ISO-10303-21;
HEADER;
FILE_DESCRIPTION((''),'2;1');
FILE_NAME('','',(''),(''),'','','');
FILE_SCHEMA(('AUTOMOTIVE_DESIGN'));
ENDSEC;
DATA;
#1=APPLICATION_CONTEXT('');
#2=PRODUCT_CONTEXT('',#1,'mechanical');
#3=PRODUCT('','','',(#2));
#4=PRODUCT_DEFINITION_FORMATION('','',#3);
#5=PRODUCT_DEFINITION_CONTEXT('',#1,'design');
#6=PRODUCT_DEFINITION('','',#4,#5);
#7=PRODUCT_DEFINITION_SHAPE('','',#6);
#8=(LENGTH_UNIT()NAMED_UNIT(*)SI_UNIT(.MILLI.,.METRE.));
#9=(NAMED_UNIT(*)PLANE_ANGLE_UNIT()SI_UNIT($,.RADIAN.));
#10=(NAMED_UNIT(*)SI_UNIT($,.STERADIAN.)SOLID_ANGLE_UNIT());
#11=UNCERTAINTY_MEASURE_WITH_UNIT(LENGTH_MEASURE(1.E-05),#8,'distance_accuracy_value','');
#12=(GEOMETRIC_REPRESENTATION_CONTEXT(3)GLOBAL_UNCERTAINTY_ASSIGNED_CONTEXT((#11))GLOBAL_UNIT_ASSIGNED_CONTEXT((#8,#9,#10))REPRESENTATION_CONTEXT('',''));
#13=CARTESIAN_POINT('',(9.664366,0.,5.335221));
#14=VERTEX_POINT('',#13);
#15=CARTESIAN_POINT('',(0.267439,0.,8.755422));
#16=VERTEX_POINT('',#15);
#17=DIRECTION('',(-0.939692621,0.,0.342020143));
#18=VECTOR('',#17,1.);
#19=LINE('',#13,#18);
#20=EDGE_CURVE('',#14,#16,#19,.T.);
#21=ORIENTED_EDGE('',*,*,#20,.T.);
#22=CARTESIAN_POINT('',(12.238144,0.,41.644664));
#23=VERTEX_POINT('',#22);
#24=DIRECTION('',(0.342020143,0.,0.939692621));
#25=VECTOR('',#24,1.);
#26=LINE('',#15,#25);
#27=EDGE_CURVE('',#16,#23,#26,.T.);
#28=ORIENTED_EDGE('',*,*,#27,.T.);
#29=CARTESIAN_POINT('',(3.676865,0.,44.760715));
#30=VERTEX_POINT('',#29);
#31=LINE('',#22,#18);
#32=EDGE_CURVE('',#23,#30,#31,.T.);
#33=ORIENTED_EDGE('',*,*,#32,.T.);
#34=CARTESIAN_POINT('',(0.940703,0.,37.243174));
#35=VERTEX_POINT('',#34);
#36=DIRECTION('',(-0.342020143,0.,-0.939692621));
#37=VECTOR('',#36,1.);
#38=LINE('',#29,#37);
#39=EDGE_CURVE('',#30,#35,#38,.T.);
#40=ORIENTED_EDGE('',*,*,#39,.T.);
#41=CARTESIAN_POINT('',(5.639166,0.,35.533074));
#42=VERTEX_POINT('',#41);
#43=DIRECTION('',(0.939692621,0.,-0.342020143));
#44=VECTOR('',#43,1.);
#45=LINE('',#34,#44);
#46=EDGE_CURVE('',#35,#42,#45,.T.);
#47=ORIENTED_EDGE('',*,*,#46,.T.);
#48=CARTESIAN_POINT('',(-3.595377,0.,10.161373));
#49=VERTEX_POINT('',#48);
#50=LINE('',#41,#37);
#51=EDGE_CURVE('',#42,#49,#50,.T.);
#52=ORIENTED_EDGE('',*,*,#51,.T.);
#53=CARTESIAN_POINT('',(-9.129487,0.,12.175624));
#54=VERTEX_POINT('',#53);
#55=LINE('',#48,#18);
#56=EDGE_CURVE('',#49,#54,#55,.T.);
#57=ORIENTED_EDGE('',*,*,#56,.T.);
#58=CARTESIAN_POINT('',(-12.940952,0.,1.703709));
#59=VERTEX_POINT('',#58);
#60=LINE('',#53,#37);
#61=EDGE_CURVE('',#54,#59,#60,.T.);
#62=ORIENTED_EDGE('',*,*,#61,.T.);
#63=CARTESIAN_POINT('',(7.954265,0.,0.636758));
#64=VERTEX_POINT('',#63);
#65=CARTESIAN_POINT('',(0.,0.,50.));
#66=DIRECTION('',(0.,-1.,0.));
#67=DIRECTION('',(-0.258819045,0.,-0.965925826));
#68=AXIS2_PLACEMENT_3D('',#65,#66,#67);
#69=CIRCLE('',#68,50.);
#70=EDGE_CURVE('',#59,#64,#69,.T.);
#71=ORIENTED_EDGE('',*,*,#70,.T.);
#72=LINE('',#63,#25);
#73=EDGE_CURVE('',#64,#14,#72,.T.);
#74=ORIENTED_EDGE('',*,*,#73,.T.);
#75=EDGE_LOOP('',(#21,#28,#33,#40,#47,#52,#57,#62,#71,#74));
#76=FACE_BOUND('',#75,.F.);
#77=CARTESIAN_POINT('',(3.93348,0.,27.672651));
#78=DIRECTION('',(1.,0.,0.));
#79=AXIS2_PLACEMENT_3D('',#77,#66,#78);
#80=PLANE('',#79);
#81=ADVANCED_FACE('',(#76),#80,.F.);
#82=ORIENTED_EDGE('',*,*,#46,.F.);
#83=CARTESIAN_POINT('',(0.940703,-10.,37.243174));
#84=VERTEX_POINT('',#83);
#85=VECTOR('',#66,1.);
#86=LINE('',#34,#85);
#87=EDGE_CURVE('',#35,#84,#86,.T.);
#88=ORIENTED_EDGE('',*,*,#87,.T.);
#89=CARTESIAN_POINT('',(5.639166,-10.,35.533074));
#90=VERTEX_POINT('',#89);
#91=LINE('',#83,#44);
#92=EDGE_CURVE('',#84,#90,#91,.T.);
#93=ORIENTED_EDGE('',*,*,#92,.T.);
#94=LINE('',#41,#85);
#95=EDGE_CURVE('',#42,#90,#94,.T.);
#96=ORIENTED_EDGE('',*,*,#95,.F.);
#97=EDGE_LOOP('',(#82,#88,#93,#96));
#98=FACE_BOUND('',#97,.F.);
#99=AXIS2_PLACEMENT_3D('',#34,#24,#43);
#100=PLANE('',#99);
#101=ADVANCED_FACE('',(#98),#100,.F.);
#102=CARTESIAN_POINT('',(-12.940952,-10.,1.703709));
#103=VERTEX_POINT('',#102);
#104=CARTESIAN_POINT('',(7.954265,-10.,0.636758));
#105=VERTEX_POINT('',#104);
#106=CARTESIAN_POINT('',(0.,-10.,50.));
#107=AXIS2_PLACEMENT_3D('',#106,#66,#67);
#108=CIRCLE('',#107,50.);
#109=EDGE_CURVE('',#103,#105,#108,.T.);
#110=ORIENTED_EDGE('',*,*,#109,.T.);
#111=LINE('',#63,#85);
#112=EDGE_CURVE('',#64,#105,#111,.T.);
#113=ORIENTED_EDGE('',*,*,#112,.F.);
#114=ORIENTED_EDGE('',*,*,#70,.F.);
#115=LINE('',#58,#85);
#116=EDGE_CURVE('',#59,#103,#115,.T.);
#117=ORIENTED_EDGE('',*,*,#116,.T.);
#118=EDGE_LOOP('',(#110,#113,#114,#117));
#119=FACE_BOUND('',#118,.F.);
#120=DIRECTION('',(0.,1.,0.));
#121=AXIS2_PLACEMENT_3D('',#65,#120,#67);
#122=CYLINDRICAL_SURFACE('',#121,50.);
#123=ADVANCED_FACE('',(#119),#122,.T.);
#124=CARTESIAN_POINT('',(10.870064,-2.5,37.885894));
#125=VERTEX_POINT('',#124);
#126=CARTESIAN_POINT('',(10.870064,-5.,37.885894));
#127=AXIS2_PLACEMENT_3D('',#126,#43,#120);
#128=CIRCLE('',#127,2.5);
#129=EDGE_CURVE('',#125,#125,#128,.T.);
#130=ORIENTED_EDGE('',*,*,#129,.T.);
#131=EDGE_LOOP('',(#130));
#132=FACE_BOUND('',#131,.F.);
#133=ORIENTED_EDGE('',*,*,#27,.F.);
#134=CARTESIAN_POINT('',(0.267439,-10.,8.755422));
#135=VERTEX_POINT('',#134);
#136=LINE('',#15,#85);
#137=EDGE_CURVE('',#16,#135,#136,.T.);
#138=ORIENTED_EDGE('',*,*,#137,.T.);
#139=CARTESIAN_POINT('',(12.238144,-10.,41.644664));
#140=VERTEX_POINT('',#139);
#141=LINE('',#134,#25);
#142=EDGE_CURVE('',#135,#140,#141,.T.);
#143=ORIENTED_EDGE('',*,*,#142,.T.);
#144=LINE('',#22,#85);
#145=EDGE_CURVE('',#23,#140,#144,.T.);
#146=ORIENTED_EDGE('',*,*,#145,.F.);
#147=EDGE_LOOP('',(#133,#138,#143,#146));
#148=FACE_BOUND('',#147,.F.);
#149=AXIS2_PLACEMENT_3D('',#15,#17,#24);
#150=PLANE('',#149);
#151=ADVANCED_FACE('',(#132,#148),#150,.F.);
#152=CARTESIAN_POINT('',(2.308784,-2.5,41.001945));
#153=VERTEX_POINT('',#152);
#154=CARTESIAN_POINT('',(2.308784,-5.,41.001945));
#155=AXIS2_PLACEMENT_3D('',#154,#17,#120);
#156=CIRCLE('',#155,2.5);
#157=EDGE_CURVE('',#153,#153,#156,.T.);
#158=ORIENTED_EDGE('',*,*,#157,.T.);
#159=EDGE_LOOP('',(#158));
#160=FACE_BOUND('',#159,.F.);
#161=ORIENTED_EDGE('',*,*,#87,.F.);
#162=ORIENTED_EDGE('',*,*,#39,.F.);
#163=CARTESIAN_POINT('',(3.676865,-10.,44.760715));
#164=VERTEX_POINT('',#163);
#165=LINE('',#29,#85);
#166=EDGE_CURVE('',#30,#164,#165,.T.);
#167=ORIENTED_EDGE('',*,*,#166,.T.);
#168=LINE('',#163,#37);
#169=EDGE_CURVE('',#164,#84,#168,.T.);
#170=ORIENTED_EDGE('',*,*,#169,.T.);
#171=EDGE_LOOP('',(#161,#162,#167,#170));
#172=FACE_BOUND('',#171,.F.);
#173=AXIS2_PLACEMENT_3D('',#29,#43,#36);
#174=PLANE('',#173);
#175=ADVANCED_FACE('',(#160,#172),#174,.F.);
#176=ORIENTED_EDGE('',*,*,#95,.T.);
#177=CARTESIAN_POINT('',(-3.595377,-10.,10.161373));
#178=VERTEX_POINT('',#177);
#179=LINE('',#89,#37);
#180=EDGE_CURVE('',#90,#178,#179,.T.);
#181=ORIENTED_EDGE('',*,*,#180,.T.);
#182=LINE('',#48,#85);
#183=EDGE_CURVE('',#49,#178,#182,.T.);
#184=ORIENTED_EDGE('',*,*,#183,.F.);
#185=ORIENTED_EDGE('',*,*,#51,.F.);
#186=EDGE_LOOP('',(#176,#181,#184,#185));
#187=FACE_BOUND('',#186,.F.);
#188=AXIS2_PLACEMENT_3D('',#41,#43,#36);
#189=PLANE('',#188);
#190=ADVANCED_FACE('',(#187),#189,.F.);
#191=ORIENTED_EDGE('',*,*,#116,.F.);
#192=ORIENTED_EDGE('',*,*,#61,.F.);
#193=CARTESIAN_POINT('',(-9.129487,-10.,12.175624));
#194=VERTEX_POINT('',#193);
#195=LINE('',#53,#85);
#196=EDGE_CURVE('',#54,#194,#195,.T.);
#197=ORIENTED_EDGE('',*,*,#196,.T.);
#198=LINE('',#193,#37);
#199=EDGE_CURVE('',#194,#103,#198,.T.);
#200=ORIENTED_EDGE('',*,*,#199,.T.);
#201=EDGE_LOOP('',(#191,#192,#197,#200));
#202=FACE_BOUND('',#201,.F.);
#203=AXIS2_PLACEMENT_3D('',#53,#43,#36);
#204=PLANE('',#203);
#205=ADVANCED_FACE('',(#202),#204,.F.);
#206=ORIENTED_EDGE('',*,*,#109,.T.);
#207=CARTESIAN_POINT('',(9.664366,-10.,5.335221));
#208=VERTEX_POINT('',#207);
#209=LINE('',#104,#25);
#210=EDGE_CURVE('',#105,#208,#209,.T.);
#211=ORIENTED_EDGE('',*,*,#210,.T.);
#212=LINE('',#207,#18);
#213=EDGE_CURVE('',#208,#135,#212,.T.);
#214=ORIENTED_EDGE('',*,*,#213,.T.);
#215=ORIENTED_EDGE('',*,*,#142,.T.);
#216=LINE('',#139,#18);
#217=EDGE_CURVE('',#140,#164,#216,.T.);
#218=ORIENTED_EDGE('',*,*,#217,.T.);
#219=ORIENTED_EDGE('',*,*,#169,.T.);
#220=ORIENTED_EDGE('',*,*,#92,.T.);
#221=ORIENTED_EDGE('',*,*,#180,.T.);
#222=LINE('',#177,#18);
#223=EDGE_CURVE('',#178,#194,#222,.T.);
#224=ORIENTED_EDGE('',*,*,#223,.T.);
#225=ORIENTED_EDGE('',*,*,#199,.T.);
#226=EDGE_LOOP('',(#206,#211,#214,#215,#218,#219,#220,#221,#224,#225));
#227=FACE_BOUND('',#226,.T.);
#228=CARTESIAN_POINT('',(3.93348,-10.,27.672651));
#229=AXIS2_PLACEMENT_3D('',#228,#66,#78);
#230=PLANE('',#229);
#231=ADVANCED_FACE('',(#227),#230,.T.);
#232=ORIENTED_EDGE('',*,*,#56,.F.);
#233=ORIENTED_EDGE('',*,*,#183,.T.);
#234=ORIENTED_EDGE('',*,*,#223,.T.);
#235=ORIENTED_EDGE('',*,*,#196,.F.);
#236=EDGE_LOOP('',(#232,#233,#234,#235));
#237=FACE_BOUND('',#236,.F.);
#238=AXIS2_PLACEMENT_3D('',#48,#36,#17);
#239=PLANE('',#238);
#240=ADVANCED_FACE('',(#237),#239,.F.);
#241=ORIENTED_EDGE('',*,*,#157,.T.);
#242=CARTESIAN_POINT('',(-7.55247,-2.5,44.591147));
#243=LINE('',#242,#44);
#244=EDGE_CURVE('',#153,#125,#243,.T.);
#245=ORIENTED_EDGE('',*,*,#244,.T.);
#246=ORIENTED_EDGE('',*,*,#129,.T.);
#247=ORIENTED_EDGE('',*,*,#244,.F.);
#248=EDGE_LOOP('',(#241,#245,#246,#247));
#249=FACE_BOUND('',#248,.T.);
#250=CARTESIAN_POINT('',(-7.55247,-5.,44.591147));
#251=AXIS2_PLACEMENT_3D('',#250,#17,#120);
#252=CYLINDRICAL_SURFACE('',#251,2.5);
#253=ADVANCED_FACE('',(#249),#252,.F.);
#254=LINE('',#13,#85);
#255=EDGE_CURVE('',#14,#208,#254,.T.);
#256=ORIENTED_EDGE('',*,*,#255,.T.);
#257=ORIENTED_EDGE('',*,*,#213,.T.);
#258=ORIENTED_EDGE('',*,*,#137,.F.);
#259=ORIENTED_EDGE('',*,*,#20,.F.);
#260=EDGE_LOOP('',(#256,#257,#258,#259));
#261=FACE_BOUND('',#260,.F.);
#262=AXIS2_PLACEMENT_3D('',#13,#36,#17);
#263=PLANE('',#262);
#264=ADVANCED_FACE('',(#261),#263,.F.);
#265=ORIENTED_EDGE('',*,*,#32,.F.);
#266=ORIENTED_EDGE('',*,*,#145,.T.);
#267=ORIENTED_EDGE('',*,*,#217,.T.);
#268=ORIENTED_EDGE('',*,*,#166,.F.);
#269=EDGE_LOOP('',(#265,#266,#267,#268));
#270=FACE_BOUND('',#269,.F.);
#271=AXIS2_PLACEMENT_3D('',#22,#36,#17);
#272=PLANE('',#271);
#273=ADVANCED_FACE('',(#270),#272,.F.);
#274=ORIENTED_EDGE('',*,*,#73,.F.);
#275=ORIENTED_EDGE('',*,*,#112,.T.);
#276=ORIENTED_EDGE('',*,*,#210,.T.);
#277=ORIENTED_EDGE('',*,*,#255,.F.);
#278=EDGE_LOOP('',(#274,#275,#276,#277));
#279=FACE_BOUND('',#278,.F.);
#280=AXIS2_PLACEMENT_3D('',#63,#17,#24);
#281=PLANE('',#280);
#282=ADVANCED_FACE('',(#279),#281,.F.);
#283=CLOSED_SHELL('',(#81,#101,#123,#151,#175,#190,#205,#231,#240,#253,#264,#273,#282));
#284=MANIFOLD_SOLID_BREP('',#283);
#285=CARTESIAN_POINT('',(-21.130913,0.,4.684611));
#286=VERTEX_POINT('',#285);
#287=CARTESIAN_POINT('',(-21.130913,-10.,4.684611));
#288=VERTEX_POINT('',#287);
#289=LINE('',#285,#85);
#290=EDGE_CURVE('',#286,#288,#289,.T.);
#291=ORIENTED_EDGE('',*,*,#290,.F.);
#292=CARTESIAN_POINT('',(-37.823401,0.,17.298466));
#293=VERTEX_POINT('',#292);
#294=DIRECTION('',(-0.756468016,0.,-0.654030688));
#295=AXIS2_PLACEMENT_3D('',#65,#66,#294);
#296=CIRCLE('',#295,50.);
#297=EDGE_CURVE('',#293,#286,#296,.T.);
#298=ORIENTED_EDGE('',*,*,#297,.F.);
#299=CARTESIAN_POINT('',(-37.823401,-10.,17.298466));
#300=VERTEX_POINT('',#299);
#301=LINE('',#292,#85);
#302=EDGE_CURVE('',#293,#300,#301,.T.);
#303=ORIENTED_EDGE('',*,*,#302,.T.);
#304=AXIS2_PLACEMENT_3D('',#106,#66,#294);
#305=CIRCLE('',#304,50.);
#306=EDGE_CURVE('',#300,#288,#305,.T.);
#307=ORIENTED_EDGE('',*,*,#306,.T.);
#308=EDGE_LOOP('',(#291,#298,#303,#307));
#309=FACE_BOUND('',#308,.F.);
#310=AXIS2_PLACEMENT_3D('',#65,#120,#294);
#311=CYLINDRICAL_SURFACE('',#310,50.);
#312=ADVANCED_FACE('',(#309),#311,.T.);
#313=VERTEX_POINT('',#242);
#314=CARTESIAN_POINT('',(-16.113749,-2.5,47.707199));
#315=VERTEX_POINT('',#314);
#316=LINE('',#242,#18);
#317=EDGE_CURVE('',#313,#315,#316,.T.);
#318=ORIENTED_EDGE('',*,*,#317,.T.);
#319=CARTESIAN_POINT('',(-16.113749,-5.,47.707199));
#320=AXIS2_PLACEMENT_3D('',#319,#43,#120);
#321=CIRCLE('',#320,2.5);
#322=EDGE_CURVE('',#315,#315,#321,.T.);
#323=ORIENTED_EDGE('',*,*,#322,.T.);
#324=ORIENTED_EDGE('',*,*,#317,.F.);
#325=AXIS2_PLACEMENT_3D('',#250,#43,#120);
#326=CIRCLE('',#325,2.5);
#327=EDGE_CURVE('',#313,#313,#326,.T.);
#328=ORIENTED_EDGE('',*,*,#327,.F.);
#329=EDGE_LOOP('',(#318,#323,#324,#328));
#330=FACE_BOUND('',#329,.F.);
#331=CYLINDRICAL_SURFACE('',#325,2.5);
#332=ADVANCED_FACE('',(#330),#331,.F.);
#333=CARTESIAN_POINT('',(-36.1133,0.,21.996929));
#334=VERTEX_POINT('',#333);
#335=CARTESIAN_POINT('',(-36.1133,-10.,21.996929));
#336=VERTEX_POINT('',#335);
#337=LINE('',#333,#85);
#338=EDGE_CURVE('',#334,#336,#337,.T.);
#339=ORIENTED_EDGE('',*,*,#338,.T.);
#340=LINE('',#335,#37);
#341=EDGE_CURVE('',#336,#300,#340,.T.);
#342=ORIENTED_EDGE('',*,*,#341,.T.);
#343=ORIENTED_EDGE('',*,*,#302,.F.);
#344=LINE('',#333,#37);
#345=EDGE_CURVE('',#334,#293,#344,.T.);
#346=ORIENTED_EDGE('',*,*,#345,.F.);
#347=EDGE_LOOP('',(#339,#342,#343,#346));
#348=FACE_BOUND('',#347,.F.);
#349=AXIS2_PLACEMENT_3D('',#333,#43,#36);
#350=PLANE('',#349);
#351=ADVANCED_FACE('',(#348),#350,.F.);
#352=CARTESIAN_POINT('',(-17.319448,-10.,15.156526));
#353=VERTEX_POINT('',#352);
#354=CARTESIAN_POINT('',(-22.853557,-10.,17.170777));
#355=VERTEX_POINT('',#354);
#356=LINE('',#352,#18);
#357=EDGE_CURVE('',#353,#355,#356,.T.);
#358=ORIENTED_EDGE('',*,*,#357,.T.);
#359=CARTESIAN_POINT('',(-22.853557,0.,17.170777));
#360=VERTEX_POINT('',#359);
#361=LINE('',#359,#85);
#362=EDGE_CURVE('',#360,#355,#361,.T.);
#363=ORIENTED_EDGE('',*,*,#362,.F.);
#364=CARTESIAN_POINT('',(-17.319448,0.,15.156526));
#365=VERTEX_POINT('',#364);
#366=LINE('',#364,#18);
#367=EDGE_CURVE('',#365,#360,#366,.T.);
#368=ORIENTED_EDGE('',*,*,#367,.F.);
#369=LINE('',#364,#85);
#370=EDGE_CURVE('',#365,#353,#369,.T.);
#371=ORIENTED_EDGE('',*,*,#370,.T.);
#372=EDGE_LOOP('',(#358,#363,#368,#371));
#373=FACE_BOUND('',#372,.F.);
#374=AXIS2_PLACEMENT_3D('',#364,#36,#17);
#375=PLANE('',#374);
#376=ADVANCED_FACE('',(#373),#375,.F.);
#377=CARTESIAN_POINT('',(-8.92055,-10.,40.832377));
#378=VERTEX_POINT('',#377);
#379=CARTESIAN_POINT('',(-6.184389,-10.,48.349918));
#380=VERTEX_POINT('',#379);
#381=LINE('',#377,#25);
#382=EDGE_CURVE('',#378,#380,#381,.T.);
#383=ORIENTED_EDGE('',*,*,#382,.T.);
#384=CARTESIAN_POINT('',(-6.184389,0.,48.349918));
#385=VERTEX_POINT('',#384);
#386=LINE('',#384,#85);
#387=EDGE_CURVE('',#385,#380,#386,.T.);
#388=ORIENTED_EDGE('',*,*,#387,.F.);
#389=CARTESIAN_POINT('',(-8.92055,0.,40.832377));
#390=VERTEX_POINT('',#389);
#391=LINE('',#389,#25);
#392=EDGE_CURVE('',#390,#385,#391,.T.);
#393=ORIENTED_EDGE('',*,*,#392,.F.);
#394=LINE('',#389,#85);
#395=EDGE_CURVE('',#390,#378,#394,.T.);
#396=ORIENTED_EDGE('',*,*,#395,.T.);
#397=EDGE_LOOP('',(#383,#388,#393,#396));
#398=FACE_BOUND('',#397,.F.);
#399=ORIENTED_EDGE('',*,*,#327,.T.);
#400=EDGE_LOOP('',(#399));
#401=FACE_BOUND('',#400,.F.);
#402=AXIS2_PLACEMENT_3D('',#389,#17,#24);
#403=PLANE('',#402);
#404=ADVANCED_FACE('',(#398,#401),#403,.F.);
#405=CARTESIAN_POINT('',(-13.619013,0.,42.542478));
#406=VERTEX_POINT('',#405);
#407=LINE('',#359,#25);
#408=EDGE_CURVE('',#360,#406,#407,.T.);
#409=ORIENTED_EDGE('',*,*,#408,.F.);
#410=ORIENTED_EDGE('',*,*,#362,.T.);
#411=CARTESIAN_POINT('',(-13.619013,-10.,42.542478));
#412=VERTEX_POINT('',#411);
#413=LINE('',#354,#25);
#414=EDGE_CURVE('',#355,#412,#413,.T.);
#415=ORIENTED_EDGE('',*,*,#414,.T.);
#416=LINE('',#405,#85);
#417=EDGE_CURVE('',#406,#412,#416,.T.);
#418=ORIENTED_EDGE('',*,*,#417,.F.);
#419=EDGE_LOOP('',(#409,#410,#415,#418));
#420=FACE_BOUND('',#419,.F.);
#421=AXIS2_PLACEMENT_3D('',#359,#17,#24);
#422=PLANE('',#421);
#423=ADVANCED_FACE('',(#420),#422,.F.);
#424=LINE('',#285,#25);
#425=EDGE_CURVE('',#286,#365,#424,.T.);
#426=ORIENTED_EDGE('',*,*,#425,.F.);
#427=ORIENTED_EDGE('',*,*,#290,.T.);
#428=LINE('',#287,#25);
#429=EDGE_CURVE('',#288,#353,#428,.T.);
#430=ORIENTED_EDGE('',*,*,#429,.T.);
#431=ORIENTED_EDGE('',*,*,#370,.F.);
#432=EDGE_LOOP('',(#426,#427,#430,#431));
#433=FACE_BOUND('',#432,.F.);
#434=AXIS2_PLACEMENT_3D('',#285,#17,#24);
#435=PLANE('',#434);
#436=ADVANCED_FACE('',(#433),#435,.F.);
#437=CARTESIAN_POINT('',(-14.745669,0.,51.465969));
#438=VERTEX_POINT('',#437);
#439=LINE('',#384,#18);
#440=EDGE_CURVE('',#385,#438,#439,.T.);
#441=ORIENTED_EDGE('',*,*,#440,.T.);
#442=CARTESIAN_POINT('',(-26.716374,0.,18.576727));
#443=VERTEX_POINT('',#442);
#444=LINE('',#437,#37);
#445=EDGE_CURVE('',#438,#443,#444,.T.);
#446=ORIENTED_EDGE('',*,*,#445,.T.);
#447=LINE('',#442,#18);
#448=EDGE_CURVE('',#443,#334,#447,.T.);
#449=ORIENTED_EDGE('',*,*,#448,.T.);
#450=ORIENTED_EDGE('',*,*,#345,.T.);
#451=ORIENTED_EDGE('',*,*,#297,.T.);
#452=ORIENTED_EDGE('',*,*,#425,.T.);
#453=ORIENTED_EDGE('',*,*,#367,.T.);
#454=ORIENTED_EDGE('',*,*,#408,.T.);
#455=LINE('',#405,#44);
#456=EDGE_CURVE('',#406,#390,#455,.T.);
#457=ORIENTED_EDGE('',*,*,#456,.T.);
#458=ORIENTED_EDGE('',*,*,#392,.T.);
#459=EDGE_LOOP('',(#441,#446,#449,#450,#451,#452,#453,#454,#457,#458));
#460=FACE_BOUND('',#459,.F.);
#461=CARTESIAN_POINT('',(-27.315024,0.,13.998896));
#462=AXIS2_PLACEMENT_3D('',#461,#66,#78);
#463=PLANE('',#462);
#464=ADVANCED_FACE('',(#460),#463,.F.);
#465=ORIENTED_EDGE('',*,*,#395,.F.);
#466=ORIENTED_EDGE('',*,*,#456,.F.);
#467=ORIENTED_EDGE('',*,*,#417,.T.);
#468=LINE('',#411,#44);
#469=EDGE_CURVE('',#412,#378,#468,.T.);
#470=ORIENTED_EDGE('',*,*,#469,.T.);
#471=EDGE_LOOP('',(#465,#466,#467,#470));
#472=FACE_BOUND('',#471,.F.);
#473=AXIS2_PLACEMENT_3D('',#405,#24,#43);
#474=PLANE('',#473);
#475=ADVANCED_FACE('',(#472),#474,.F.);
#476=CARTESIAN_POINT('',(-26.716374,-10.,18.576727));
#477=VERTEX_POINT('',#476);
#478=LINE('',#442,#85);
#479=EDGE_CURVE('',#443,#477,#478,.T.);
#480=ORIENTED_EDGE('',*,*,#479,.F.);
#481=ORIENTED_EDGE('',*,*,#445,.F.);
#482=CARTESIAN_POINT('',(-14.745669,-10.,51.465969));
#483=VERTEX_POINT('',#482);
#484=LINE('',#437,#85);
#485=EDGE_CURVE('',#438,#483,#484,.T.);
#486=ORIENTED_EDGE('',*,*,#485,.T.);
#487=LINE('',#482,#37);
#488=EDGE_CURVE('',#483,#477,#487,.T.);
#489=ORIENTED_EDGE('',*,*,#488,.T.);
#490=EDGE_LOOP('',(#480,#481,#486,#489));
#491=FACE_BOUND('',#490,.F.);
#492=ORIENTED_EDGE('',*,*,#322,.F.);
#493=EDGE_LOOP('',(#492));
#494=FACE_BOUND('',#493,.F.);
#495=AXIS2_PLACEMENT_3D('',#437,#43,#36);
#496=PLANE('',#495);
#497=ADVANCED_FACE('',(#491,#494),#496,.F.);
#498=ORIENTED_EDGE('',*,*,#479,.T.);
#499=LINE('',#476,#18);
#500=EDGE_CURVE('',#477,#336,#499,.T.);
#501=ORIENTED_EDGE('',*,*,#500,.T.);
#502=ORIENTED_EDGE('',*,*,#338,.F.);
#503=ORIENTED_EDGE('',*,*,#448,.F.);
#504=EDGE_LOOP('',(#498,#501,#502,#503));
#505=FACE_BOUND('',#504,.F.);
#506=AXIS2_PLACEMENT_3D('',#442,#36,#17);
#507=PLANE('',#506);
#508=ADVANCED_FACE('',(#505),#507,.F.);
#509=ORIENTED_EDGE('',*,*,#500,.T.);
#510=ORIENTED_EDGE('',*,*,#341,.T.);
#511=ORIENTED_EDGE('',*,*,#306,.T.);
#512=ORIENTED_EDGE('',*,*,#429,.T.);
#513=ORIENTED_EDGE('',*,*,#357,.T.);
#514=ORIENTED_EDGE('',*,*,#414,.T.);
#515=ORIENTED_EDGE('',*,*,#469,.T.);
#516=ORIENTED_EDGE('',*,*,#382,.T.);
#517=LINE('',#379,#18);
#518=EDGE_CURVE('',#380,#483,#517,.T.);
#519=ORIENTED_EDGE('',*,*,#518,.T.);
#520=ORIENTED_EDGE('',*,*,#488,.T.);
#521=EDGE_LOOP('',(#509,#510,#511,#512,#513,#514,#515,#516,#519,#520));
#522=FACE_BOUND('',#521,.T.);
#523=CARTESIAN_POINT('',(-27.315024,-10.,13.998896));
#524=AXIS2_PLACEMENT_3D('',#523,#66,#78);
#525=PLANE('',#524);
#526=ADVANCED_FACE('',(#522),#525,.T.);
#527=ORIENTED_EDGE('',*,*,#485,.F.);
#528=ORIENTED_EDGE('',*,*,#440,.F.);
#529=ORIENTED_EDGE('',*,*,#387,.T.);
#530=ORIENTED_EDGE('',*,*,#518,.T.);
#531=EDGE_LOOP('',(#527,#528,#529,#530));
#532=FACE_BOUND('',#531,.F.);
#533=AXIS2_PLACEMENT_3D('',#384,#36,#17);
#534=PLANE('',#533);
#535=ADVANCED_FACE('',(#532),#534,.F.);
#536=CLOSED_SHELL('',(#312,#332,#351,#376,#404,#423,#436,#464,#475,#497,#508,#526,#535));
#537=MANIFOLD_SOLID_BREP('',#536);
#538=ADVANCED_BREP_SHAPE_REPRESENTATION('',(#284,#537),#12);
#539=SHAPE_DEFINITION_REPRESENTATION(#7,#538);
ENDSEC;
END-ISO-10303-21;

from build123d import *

# Parameters (mm, degrees)
F1_DEPTH      = 10
F2_R          = 2.5
F3_DEPTH      = 30.7976981307
F3_DEPTH_BACK = 19.6048505534


with BuildPart() as f1:
    # F0 (on Front) → F1 (new body)
    with BuildSketch(Plane.XZ):
        with BuildLine():
            Line((-36.1133000789, 21.9969287017), (-37.8234007955, 17.2984655978))
            ThreePointArc((-37.8234007955, 17.2984655978), (-30.1443214472, 10.1086490015), (-21.130913087, 4.6846106482))
            Line((-21.130913087, 4.6846106482), (-17.3194476632, 15.1565258352))
            Line((-17.3194476632, 15.1565258352), (-22.853557124, 17.1707769521))
            Line((-22.853557124, 17.1707769521), (-26.7163738711, 18.5767272685))
            Line((-26.7163738711, 18.5767272685), (-36.1133000789, 21.9969287017))
        make_face()
        Polygon((-14.7456688547, 51.465968996), (-26.7163738711, 18.5767272685), (-22.853557124, 17.1707769521), (-13.6190132542, 42.5424777133), (-8.9205501503, 40.8323769967), (-6.1843890037, 48.349917963), align=None)
    extrude(amount=F1_DEPTH)


with BuildPart() as f1b:
    # F0 (on Front) → F1, piece 2 (new body)
    with BuildSketch(Plane.XZ):
        Polygon((12.238144393, 41.6446641668), (3.676864542, 44.7607151998), (0.9407033954, 37.2431742335), (5.6391664993, 35.5330735169), (-3.5953773705, 10.1613727557), (0.2674393766, 8.7554224393), align=None)
        with BuildLine():
            Line((9.6643655844, 5.3352210061), (0.2674393766, 8.7554224393))
            Line((0.2674393766, 8.7554224393), (-3.5953773705, 10.1613727557))
            Line((-3.5953773705, 10.1613727557), (-9.1294868313, 12.1756238726))
            Line((-9.1294868313, 12.1756238726), (-12.9409522551, 1.7037086855))
            ThreePointArc((-12.9409522551, 1.7037086855), (-2.5497762193, 0.0650559104), (7.9542648678, 0.6367579021))
            Line((7.9542648678, 0.6367579021), (9.6643655844, 5.3352210061))
        make_face()
    extrude(amount=F1_DEPTH)


with BuildPart() as f3_tool:
    # F2 (on face) → F3 (new body, two sides)
    with BuildSketch(Plane(origin=(-21.000317015, 0, 7.6434903036), x_dir=(0, 1, 0), z_dir=(0.9396926208, 0, -0.3420201433))) as f3_sk:
        with Locations((-5, 39.318875512)):
            Circle(F2_R)
    extrude(amount=-F3_DEPTH)
    extrude(f3_sk.sketch, amount=F3_DEPTH_BACK)


with BuildPart() as f1_1:
    add(f1.part)

    # F3: cut by f3_tool
    add(f3_tool.part, mode=Mode.SUBTRACT)


with BuildPart() as f1b_1:
    add(f1b.part)

    # F3: cut by f3_tool
    add(f3_tool.part, mode=Mode.SUBTRACT)


solid = Compound([f1_1.part, f1b_1.part])
